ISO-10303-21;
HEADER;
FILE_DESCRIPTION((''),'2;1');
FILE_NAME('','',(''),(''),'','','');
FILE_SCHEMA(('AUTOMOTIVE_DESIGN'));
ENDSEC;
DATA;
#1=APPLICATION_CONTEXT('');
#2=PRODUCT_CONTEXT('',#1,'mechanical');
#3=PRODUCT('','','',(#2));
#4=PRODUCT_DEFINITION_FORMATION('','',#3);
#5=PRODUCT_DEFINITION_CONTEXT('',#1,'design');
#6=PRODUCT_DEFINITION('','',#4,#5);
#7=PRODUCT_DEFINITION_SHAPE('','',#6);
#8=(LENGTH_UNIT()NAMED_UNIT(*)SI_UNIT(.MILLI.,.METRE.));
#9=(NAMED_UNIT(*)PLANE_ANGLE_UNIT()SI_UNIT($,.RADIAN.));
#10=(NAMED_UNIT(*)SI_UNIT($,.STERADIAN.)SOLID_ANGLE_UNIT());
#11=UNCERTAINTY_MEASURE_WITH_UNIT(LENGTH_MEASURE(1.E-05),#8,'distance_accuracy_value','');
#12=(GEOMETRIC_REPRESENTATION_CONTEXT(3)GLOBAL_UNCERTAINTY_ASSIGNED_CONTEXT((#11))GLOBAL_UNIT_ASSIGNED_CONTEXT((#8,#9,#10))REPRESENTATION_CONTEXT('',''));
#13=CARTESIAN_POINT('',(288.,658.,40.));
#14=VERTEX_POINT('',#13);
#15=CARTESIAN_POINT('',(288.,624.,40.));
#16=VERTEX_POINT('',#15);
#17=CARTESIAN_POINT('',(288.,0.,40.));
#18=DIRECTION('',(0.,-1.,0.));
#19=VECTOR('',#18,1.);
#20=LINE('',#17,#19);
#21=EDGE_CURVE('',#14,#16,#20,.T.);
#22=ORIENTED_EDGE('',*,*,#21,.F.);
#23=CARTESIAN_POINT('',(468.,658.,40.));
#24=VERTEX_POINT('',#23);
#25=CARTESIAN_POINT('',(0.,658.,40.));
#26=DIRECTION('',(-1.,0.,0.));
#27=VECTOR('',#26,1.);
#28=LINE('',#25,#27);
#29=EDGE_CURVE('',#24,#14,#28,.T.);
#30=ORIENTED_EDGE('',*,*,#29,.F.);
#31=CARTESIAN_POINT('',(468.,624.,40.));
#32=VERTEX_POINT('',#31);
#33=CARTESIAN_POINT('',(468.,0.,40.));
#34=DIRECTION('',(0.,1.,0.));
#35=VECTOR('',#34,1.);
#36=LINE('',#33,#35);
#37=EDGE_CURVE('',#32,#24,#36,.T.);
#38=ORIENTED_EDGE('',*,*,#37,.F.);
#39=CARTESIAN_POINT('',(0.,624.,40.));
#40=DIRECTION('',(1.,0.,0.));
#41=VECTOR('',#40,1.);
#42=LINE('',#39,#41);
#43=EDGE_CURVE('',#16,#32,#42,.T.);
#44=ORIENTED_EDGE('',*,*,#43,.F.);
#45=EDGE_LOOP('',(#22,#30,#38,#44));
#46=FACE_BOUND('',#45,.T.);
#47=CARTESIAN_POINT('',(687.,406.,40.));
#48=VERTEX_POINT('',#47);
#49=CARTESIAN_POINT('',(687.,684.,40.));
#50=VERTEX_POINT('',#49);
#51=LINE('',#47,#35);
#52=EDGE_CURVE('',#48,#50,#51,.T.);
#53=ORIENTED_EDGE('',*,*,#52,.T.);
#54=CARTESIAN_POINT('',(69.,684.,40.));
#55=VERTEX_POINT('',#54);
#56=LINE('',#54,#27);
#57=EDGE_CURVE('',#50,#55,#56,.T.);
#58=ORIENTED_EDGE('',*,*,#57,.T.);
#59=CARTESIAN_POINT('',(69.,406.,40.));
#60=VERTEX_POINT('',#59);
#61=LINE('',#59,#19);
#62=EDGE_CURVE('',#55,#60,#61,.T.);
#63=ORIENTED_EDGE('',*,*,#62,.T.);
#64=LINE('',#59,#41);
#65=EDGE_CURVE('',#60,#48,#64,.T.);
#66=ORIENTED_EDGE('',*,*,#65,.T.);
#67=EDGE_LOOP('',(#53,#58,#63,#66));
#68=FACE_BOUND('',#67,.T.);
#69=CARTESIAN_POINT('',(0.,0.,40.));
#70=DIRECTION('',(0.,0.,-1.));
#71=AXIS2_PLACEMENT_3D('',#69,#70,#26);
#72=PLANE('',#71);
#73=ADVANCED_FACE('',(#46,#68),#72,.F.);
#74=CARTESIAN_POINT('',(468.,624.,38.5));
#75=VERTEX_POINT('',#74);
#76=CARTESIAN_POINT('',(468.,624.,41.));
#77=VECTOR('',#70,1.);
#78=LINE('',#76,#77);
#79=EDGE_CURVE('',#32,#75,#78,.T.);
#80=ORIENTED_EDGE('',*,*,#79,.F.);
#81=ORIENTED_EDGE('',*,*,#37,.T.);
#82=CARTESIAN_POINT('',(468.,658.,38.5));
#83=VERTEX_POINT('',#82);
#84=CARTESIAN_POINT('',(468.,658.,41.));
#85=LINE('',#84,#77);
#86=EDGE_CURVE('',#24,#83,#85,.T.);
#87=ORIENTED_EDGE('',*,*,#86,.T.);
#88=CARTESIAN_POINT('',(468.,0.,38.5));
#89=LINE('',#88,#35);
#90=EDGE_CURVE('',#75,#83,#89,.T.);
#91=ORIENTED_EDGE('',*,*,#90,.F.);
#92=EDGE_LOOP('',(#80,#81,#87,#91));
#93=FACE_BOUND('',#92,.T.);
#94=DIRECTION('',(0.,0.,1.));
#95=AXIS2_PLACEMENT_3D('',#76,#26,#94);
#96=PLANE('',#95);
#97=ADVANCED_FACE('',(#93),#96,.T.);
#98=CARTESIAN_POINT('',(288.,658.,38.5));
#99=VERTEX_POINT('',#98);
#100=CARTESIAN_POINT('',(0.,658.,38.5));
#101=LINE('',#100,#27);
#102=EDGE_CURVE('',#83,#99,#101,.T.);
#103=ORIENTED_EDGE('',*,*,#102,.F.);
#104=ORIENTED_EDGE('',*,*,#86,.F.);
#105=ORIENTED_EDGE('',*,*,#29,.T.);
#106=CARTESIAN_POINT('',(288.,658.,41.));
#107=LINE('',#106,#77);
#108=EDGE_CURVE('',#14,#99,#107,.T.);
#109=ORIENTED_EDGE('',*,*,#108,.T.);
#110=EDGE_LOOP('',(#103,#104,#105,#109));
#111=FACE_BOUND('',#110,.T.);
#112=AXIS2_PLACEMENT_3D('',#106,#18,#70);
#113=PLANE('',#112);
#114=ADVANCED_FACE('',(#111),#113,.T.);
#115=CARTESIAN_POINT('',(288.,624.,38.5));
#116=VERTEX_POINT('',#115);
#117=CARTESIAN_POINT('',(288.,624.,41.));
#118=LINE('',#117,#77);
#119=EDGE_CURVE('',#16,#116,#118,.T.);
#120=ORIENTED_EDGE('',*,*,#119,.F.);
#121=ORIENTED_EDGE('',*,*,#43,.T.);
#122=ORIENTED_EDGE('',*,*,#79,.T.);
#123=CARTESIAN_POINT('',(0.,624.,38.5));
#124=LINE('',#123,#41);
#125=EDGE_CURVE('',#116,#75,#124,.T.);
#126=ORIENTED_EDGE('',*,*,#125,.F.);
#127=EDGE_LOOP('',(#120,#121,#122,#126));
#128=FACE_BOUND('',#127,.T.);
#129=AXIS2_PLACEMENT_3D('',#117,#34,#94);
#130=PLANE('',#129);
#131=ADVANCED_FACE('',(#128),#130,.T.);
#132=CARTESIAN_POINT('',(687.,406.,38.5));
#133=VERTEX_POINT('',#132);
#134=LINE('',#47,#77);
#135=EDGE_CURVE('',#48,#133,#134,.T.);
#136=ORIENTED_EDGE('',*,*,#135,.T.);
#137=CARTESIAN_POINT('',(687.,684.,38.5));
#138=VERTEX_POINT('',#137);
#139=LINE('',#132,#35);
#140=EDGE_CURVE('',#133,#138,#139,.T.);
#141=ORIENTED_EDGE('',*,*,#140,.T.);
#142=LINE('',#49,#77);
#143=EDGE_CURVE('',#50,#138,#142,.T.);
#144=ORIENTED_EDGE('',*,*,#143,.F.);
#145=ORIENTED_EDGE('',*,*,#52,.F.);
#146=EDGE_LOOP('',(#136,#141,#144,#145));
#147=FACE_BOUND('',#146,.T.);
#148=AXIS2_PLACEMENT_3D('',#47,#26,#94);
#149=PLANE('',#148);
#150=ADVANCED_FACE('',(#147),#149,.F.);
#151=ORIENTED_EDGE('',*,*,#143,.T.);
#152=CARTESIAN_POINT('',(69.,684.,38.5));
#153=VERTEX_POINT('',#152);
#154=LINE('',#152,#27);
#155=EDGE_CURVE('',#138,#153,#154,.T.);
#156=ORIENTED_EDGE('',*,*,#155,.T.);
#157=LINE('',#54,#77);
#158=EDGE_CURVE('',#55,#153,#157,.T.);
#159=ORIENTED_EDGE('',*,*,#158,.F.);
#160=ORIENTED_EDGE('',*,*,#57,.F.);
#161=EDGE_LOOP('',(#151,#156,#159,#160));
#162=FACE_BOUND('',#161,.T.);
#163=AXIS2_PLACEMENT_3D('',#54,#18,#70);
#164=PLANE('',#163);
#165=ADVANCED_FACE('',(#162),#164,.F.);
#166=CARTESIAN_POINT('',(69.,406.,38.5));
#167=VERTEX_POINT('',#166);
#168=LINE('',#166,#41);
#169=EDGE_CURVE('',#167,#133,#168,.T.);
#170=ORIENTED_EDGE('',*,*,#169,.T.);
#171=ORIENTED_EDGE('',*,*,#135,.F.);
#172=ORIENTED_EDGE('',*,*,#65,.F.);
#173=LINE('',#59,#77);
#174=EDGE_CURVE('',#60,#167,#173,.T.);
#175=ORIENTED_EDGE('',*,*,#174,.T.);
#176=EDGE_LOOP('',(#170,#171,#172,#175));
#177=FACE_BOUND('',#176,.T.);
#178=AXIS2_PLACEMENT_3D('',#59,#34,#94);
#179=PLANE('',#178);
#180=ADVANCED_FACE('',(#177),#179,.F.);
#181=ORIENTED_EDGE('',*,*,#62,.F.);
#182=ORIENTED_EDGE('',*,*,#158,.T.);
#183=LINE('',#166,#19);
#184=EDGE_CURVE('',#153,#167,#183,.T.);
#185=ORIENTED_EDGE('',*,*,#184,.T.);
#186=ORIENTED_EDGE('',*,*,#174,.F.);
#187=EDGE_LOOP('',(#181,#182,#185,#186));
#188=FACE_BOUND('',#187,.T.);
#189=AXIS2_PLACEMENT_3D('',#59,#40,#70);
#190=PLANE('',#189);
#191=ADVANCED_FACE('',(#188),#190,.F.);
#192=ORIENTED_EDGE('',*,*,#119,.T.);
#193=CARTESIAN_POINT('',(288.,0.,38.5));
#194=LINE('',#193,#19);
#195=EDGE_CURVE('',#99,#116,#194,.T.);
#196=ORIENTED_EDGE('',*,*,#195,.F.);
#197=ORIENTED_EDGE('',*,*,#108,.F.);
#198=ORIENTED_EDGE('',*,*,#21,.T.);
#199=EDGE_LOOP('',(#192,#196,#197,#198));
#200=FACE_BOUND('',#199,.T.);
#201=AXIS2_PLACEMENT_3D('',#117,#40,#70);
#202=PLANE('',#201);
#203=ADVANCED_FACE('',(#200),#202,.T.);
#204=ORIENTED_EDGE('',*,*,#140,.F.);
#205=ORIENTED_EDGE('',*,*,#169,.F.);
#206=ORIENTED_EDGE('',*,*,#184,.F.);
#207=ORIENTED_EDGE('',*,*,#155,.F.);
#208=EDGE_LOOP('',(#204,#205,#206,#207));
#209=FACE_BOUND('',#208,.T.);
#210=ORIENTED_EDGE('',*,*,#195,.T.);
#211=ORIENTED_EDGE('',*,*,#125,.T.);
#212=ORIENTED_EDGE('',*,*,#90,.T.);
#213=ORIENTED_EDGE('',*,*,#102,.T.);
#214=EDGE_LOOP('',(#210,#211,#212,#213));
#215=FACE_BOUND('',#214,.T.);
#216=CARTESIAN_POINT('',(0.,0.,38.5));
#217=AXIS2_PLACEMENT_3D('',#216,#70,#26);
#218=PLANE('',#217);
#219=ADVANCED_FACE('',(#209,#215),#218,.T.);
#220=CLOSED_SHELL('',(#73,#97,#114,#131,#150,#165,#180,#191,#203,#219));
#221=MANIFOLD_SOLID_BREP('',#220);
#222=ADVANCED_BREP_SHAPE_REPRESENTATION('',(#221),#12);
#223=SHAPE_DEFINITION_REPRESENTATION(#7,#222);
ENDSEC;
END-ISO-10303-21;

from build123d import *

# Parameters (mm, degrees)
STORE_KLAPE_KASET_KATI_ON_DIS_SAC_1_START = 38.5
SKETCH1_W                                 = 618
SKETCH1_H                                 = 278
STORE_KLAPE_KASET_KATI_ON_DIS_SAC_1_DEPTH = 1.5
STORE_KLAPE_KASET_KATI_ON_DIS_SAC_2_START = 27
SKETCH2_W                                 = 180
SKETCH2_H                                 = 34
STORE_KLAPE_KASET_KATI_ON_DIS_SAC_2_DEPTH = 14


with BuildPart() as part:
    # Sketch1 → STORE_klape_kaset_kati_on_dis_sac_1 (new body)
    with BuildSketch(Plane.XY.offset(STORE_KLAPE_KASET_KATI_ON_DIS_SAC_1_START)):
        with Locations((378, 545)):
            Rectangle(SKETCH1_W, SKETCH1_H)
    extrude(amount=STORE_KLAPE_KASET_KATI_ON_DIS_SAC_1_DEPTH)

    # Sketch2 → STORE_klape_kaset_kati_on_dis_sac_2 (cut)
    with BuildSketch(Plane.XY.offset(STORE_KLAPE_KASET_KATI_ON_DIS_SAC_2_START)):
        with Locations((378, 641)):
            Rectangle(SKETCH2_W, SKETCH2_H)
    extrude(amount=STORE_KLAPE_KASET_KATI_ON_DIS_SAC_2_DEPTH, mode=Mode.SUBTRACT)


solid = part.part
